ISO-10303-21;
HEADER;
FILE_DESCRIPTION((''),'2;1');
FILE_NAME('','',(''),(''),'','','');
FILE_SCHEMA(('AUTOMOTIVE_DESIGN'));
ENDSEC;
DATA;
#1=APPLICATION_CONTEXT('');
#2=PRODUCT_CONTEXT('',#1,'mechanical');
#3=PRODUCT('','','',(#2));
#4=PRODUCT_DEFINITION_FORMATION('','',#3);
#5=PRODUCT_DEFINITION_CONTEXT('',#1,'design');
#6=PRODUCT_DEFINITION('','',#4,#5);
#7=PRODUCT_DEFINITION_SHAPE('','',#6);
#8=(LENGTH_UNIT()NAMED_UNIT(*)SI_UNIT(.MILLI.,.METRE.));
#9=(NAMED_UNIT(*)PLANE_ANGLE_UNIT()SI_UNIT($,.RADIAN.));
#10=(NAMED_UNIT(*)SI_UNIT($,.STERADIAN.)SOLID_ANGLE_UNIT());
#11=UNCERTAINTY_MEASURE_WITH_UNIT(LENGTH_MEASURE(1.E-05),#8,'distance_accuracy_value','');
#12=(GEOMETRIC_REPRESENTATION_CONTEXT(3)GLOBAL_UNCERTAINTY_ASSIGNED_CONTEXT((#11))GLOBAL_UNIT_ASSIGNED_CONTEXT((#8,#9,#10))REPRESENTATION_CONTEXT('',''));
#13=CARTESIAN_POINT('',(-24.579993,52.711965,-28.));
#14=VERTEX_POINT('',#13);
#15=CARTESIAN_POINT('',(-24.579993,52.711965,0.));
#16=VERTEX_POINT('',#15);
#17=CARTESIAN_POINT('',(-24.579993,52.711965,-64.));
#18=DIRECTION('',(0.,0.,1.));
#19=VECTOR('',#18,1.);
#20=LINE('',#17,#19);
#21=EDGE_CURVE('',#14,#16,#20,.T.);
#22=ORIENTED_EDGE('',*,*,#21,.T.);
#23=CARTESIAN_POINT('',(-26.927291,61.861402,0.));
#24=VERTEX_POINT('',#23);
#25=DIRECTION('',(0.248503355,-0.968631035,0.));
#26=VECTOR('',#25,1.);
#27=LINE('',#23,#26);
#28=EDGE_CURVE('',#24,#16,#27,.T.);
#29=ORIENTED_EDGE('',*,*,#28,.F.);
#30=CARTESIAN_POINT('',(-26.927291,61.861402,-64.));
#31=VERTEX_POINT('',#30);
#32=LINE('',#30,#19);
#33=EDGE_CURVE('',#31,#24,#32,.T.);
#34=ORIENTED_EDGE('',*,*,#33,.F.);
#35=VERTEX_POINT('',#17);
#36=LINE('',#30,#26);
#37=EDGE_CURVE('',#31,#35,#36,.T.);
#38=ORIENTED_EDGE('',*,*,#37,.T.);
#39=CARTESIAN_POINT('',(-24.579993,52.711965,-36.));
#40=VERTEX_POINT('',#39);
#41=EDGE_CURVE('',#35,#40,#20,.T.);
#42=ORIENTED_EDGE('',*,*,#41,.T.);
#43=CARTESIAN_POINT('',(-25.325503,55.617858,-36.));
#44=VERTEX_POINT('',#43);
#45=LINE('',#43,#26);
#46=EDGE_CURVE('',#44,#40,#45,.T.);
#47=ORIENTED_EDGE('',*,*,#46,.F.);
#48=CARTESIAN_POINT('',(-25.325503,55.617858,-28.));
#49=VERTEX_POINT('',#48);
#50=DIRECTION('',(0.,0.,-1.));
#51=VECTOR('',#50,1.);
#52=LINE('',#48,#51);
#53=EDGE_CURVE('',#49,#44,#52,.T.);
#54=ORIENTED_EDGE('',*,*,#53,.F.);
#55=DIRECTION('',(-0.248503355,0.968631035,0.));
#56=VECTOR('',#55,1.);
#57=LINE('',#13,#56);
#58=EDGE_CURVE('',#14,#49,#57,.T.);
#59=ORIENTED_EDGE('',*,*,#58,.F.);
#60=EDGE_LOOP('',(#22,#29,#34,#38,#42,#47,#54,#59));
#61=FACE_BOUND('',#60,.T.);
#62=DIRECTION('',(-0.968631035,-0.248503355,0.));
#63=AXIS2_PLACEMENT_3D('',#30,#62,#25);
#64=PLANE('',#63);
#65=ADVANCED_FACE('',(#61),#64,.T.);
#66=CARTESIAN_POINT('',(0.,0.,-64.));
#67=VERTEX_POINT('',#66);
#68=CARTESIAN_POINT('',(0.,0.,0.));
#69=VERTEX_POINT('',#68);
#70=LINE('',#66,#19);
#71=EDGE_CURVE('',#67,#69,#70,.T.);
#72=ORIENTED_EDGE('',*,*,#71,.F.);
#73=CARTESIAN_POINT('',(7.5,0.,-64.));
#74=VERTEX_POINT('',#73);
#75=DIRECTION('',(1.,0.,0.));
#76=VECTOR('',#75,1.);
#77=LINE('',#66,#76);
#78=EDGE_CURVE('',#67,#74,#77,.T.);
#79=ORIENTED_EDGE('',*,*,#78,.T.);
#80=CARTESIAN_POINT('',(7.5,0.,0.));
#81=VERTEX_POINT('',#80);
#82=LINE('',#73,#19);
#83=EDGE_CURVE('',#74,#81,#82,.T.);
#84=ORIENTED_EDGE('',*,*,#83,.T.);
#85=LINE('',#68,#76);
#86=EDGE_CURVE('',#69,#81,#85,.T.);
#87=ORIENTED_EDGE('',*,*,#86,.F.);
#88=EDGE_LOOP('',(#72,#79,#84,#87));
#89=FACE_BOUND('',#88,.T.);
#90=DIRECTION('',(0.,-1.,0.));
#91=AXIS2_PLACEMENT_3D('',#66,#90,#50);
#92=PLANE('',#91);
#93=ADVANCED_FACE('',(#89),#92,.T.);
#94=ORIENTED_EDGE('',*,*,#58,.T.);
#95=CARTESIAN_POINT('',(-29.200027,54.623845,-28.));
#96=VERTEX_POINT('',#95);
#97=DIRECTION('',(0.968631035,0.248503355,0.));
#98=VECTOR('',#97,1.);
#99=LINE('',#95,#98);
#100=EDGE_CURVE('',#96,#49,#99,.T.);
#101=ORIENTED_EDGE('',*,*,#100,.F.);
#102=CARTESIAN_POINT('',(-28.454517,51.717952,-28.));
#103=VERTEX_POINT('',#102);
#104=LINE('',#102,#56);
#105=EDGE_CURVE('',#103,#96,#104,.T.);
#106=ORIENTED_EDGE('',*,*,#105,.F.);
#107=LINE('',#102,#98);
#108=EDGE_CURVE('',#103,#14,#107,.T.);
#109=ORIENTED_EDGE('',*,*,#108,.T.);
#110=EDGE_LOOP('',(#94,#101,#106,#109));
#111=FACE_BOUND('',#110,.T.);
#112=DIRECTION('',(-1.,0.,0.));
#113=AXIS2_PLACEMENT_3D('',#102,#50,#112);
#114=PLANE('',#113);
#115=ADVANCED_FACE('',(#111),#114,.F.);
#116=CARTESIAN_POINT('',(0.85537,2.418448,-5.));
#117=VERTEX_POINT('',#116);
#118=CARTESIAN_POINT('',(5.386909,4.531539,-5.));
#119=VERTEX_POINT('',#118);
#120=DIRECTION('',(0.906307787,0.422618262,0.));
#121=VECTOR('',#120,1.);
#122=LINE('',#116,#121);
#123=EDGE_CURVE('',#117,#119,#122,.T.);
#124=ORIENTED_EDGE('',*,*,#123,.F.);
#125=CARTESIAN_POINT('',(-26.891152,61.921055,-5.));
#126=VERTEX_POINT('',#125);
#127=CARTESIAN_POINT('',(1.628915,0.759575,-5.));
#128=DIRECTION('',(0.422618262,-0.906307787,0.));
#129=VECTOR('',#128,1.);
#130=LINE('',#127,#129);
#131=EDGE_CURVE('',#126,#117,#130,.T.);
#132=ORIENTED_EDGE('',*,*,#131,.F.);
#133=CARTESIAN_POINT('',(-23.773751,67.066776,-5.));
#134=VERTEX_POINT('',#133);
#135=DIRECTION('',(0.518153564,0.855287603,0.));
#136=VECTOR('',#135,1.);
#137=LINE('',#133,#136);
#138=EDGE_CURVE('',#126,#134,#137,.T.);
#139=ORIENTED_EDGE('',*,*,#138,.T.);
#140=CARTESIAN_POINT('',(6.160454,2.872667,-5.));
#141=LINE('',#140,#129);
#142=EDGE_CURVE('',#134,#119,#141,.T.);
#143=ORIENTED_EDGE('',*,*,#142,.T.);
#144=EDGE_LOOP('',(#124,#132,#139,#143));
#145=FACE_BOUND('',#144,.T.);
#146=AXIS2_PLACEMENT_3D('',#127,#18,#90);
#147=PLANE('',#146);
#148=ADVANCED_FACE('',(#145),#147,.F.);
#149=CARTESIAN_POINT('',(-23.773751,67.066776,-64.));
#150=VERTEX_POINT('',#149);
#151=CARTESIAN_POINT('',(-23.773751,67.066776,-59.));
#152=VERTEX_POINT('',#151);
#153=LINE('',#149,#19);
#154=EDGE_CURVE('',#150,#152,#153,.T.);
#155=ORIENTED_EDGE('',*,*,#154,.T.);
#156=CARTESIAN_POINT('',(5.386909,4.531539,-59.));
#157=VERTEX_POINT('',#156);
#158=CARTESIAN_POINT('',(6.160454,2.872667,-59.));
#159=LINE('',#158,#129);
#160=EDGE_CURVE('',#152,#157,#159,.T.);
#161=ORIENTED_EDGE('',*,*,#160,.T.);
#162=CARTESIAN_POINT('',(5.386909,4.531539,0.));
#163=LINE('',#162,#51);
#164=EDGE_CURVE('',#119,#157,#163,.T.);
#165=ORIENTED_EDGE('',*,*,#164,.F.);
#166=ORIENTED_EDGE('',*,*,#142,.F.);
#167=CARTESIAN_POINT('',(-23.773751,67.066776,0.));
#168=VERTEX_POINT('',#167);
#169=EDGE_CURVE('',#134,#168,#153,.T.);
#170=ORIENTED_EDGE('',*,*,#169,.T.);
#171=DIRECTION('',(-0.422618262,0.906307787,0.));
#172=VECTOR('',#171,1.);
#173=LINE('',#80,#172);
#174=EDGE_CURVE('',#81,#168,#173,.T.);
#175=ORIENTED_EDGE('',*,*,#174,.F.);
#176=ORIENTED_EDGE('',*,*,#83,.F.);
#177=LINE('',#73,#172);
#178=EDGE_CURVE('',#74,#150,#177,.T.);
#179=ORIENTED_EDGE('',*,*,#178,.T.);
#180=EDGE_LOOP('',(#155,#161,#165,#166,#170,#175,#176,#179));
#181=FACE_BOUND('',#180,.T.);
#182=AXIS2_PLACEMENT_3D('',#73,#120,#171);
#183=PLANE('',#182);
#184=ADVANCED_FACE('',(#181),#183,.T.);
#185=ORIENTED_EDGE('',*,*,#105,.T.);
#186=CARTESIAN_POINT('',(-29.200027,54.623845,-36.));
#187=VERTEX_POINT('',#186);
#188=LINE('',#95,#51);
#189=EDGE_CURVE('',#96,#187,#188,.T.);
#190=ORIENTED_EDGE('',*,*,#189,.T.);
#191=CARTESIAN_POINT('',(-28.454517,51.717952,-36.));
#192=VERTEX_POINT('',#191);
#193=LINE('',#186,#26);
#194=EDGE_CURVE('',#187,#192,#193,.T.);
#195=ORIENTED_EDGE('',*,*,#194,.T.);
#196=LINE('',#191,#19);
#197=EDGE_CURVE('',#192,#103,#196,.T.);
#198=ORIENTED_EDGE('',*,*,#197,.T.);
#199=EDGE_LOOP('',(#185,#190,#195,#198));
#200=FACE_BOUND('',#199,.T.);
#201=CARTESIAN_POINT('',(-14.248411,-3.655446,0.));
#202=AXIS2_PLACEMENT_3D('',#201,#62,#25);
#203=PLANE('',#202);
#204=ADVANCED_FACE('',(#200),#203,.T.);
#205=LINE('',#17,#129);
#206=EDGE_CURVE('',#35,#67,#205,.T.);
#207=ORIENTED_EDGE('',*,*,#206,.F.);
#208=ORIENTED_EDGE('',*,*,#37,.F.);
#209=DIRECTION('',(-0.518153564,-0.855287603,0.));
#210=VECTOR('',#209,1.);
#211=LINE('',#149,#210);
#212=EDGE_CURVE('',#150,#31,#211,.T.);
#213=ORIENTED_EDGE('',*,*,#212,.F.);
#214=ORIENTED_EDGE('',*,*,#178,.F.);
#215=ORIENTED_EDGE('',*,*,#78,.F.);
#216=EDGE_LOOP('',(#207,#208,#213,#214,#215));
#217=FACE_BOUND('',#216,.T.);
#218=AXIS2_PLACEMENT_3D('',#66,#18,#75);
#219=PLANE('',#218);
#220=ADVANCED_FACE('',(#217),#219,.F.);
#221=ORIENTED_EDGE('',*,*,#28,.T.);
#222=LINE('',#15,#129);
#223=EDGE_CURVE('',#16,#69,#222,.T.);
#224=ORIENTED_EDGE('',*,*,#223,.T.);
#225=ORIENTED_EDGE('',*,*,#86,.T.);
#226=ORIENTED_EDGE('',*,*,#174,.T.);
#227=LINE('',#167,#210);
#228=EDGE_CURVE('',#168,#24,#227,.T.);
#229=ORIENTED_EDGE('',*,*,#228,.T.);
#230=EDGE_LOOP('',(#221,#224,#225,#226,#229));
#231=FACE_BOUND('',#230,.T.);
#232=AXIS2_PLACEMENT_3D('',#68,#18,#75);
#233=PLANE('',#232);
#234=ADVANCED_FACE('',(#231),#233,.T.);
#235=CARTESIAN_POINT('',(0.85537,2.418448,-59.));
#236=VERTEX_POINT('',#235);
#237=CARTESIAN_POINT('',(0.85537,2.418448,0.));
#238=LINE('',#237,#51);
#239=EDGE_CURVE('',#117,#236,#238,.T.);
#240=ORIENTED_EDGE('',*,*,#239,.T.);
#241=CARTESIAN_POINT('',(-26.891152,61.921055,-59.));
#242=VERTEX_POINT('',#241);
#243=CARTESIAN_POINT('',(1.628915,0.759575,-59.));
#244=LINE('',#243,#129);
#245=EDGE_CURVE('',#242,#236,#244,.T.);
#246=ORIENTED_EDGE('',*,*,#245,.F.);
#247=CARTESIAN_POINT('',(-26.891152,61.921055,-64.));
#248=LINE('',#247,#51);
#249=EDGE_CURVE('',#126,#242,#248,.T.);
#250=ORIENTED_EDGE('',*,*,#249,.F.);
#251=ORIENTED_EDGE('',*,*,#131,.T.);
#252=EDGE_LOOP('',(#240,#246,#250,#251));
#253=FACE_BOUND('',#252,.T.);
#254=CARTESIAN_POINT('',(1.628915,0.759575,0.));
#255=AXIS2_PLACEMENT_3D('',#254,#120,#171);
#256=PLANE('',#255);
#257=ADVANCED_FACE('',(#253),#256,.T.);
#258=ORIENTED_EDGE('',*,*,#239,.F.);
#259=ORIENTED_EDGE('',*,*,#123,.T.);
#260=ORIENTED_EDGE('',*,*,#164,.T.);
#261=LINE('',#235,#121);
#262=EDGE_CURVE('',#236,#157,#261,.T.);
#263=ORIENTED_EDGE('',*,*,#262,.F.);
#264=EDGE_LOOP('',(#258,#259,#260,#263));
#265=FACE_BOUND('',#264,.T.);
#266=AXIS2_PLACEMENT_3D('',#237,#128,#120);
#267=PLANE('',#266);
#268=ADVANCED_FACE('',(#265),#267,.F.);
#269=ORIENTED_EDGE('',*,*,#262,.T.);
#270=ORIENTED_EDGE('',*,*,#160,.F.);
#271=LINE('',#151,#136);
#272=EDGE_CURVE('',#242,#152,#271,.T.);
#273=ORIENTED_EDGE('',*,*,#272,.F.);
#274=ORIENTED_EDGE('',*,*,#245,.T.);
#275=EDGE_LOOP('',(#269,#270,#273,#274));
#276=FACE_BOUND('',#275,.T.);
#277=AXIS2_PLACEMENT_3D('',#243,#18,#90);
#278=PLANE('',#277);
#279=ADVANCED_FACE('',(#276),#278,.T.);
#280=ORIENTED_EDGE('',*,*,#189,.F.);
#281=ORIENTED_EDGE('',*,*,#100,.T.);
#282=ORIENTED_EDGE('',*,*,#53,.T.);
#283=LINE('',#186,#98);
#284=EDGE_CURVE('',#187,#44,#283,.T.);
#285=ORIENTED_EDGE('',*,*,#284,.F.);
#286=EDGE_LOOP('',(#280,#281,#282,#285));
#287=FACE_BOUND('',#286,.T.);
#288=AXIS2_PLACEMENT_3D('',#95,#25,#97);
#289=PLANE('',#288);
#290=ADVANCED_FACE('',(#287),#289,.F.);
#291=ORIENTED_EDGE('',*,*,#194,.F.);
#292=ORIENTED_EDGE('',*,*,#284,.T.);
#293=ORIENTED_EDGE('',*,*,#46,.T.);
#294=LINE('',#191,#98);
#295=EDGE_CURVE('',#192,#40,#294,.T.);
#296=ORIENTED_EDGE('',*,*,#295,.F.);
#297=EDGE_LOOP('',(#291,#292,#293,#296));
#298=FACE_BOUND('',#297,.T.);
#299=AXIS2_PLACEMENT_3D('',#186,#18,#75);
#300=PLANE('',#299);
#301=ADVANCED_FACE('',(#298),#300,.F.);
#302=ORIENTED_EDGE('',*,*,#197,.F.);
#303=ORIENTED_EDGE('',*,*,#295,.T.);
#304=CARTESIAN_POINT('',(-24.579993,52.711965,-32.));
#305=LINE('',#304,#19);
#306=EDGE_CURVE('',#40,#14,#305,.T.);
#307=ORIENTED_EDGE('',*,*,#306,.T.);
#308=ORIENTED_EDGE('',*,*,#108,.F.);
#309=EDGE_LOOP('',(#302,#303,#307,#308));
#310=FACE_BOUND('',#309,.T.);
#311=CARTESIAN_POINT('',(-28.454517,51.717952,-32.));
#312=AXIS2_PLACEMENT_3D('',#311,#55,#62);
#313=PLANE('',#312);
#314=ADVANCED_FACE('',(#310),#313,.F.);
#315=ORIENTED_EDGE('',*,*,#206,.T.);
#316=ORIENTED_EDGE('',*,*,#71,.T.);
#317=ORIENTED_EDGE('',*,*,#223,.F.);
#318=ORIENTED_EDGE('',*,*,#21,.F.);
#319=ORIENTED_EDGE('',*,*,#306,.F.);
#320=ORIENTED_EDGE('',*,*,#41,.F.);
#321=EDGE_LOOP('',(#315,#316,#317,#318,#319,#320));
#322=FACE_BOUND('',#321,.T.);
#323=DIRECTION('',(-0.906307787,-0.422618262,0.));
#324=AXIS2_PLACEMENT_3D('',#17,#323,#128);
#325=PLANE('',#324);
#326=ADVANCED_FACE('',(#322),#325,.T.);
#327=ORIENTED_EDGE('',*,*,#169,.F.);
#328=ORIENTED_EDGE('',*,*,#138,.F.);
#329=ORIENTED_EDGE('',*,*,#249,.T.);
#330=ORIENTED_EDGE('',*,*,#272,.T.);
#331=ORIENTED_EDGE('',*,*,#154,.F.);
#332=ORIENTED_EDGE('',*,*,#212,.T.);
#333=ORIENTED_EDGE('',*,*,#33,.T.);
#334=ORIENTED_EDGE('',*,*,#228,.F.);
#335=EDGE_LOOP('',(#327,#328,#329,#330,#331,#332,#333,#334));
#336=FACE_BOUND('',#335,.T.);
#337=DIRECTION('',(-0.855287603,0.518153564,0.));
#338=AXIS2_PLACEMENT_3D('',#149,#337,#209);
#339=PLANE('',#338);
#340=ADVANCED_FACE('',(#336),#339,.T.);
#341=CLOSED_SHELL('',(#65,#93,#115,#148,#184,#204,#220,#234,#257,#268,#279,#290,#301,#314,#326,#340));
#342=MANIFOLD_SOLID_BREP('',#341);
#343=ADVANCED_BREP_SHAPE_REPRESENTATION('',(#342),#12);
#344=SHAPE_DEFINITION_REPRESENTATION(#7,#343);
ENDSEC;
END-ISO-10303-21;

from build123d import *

# Parameters (mm, degrees)
BOSS_EXTRUDE1_DEPTH = 64
BOSS_EXTRUDE2_DEPTH = 4
SKETCH4_W           = 54
SKETCH4_H           = 69
CUT_EXTRUDE1_DEPTH  = 5


with BuildPart() as part:
    # Sketch1 → Boss-Extrude1 (new body)
    with BuildSketch(Plane.XY):
        Polygon((0, 0), (7.5, 0), (-23.773751369, 67.066776241), (-26.927291044, 61.861401656), (-24.579993125, 52.711965363), align=None)
    extrude(amount=-BOSS_EXTRUDE1_DEPTH)

    # Sketch3 → Boss-Extrude2 (add)
    with BuildSketch(Plane(origin=(-10.373887242, -2.661432153, 0), x_dir=(0, 0, 1), z_dir=(-0.9686310353512481, -0.24850335481511932, 0))):
        Polygon((-36, 57.166656338), (-32, 57.166656338), (-28, 57.166656338), (-28, 60.166656338), (-36, 60.166656338), align=None)
    extrude(amount=BOSS_EXTRUDE2_DEPTH)

    # Sketch4 → Cut-Extrude1 (cut)
    with BuildSketch(Plane(origin=(6.160453536, 2.872666662, 0), x_dir=(0, 0, -1), z_dir=(0.9063077870366478, 0.4226182617407043, 0))):
        with Locations((32, 36.330363037)):
            Rectangle(SKETCH4_W, SKETCH4_H)
    extrude(amount=-CUT_EXTRUDE1_DEPTH, mode=Mode.SUBTRACT)


solid = part.part
